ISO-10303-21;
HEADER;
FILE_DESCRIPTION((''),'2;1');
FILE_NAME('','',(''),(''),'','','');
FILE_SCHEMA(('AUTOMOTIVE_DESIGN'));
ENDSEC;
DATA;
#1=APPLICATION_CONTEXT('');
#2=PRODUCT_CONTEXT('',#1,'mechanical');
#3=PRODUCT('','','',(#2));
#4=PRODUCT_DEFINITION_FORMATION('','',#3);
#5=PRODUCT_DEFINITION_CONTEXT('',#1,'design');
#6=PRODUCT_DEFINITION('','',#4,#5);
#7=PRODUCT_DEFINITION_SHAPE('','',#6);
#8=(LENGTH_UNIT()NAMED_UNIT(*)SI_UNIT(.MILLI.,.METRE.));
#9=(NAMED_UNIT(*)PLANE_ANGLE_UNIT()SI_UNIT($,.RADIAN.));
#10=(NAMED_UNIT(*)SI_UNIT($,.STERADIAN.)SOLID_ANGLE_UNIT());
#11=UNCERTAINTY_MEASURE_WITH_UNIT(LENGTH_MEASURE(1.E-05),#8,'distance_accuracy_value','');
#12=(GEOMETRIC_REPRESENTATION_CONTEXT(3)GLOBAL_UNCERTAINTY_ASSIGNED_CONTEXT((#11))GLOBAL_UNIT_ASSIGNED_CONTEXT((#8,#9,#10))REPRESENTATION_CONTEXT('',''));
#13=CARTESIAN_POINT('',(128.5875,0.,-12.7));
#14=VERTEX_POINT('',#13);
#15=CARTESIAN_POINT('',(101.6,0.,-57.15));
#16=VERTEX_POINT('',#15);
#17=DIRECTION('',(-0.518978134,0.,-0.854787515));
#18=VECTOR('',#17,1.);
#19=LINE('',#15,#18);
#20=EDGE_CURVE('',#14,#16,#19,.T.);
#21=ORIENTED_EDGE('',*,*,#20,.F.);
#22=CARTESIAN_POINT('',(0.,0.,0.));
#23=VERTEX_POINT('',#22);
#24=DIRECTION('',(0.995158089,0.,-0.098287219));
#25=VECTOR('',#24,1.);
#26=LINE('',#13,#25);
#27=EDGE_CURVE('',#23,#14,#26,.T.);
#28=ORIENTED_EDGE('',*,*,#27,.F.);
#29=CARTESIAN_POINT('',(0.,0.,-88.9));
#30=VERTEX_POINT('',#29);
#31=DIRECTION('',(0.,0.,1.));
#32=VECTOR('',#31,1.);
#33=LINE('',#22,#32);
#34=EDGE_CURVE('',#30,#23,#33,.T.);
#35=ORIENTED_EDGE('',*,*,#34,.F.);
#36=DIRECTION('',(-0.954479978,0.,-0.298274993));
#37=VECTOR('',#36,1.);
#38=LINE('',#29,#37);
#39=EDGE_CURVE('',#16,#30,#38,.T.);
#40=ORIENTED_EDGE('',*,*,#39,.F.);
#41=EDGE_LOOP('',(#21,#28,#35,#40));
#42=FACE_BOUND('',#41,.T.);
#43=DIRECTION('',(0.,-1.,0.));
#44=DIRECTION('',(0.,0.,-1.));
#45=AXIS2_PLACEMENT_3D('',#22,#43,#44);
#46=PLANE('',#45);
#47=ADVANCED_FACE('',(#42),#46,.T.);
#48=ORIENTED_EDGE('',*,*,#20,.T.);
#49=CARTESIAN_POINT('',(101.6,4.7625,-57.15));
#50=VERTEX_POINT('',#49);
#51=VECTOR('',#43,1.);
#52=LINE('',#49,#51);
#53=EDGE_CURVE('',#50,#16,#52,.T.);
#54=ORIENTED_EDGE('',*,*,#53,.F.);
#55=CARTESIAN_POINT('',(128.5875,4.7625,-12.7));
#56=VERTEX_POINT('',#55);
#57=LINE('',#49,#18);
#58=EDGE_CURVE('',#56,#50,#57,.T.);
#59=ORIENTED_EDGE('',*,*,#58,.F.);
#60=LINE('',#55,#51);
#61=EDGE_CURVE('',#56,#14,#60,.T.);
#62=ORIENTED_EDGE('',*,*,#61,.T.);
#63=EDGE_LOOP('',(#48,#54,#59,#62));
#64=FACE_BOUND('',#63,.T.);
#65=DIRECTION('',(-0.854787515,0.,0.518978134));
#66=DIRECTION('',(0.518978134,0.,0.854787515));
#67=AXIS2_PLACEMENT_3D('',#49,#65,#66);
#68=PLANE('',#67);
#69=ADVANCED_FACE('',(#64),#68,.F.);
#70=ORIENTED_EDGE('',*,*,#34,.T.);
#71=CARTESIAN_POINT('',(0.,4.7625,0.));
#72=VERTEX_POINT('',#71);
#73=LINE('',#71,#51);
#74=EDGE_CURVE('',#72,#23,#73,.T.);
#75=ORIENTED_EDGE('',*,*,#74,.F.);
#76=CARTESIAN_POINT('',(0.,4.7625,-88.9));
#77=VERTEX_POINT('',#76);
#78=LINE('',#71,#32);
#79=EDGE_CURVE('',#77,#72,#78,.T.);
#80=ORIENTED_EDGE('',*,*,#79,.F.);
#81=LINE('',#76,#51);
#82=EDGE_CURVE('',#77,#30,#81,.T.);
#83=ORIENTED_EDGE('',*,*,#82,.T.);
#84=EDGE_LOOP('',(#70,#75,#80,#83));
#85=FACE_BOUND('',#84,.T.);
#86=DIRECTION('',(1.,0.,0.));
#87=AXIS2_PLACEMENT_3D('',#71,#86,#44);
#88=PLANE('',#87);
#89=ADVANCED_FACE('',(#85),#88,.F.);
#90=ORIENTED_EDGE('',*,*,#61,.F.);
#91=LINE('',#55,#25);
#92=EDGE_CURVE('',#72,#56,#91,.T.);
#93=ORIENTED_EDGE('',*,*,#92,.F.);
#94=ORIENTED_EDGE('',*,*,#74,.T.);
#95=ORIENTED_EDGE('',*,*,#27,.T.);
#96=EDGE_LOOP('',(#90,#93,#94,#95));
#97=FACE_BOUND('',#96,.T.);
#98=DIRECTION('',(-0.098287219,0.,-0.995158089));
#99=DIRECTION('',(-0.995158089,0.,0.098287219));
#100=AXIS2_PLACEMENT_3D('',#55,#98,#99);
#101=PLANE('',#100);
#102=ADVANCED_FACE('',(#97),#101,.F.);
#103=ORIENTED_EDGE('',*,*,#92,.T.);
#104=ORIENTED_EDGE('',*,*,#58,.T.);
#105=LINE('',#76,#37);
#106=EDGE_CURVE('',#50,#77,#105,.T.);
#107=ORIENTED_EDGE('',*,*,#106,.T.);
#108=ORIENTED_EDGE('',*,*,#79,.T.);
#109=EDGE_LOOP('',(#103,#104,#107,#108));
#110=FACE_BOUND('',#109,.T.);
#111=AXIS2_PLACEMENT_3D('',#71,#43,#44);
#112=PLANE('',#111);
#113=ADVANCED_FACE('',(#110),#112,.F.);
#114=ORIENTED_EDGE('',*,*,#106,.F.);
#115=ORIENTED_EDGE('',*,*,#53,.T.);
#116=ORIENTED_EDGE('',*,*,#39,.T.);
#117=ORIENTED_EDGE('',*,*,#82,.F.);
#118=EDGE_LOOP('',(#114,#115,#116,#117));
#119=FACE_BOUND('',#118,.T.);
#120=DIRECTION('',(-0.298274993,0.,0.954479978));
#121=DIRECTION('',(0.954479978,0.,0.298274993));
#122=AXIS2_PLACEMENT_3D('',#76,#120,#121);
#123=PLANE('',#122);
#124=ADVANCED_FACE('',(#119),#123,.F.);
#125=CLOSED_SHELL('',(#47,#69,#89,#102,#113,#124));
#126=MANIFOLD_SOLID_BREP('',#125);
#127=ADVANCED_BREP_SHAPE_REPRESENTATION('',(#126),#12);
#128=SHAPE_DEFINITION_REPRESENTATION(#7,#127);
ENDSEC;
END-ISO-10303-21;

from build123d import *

# Parameters (mm, degrees)
BOSS_EXTRUDE1_DEPTH = 4.7625


with BuildPart() as part:
    # Sketch1 → Boss-Extrude1 (new body)
    with BuildSketch(Plane(origin=(0, 0, 0), x_dir=(1, 0, 0), z_dir=(0, 1, 0))):
        Polygon((0, 0), (0, 88.9), (101.6, 57.15), (128.5875, 12.7), align=None)
    extrude(amount=BOSS_EXTRUDE1_DEPTH)


solid = part.part
